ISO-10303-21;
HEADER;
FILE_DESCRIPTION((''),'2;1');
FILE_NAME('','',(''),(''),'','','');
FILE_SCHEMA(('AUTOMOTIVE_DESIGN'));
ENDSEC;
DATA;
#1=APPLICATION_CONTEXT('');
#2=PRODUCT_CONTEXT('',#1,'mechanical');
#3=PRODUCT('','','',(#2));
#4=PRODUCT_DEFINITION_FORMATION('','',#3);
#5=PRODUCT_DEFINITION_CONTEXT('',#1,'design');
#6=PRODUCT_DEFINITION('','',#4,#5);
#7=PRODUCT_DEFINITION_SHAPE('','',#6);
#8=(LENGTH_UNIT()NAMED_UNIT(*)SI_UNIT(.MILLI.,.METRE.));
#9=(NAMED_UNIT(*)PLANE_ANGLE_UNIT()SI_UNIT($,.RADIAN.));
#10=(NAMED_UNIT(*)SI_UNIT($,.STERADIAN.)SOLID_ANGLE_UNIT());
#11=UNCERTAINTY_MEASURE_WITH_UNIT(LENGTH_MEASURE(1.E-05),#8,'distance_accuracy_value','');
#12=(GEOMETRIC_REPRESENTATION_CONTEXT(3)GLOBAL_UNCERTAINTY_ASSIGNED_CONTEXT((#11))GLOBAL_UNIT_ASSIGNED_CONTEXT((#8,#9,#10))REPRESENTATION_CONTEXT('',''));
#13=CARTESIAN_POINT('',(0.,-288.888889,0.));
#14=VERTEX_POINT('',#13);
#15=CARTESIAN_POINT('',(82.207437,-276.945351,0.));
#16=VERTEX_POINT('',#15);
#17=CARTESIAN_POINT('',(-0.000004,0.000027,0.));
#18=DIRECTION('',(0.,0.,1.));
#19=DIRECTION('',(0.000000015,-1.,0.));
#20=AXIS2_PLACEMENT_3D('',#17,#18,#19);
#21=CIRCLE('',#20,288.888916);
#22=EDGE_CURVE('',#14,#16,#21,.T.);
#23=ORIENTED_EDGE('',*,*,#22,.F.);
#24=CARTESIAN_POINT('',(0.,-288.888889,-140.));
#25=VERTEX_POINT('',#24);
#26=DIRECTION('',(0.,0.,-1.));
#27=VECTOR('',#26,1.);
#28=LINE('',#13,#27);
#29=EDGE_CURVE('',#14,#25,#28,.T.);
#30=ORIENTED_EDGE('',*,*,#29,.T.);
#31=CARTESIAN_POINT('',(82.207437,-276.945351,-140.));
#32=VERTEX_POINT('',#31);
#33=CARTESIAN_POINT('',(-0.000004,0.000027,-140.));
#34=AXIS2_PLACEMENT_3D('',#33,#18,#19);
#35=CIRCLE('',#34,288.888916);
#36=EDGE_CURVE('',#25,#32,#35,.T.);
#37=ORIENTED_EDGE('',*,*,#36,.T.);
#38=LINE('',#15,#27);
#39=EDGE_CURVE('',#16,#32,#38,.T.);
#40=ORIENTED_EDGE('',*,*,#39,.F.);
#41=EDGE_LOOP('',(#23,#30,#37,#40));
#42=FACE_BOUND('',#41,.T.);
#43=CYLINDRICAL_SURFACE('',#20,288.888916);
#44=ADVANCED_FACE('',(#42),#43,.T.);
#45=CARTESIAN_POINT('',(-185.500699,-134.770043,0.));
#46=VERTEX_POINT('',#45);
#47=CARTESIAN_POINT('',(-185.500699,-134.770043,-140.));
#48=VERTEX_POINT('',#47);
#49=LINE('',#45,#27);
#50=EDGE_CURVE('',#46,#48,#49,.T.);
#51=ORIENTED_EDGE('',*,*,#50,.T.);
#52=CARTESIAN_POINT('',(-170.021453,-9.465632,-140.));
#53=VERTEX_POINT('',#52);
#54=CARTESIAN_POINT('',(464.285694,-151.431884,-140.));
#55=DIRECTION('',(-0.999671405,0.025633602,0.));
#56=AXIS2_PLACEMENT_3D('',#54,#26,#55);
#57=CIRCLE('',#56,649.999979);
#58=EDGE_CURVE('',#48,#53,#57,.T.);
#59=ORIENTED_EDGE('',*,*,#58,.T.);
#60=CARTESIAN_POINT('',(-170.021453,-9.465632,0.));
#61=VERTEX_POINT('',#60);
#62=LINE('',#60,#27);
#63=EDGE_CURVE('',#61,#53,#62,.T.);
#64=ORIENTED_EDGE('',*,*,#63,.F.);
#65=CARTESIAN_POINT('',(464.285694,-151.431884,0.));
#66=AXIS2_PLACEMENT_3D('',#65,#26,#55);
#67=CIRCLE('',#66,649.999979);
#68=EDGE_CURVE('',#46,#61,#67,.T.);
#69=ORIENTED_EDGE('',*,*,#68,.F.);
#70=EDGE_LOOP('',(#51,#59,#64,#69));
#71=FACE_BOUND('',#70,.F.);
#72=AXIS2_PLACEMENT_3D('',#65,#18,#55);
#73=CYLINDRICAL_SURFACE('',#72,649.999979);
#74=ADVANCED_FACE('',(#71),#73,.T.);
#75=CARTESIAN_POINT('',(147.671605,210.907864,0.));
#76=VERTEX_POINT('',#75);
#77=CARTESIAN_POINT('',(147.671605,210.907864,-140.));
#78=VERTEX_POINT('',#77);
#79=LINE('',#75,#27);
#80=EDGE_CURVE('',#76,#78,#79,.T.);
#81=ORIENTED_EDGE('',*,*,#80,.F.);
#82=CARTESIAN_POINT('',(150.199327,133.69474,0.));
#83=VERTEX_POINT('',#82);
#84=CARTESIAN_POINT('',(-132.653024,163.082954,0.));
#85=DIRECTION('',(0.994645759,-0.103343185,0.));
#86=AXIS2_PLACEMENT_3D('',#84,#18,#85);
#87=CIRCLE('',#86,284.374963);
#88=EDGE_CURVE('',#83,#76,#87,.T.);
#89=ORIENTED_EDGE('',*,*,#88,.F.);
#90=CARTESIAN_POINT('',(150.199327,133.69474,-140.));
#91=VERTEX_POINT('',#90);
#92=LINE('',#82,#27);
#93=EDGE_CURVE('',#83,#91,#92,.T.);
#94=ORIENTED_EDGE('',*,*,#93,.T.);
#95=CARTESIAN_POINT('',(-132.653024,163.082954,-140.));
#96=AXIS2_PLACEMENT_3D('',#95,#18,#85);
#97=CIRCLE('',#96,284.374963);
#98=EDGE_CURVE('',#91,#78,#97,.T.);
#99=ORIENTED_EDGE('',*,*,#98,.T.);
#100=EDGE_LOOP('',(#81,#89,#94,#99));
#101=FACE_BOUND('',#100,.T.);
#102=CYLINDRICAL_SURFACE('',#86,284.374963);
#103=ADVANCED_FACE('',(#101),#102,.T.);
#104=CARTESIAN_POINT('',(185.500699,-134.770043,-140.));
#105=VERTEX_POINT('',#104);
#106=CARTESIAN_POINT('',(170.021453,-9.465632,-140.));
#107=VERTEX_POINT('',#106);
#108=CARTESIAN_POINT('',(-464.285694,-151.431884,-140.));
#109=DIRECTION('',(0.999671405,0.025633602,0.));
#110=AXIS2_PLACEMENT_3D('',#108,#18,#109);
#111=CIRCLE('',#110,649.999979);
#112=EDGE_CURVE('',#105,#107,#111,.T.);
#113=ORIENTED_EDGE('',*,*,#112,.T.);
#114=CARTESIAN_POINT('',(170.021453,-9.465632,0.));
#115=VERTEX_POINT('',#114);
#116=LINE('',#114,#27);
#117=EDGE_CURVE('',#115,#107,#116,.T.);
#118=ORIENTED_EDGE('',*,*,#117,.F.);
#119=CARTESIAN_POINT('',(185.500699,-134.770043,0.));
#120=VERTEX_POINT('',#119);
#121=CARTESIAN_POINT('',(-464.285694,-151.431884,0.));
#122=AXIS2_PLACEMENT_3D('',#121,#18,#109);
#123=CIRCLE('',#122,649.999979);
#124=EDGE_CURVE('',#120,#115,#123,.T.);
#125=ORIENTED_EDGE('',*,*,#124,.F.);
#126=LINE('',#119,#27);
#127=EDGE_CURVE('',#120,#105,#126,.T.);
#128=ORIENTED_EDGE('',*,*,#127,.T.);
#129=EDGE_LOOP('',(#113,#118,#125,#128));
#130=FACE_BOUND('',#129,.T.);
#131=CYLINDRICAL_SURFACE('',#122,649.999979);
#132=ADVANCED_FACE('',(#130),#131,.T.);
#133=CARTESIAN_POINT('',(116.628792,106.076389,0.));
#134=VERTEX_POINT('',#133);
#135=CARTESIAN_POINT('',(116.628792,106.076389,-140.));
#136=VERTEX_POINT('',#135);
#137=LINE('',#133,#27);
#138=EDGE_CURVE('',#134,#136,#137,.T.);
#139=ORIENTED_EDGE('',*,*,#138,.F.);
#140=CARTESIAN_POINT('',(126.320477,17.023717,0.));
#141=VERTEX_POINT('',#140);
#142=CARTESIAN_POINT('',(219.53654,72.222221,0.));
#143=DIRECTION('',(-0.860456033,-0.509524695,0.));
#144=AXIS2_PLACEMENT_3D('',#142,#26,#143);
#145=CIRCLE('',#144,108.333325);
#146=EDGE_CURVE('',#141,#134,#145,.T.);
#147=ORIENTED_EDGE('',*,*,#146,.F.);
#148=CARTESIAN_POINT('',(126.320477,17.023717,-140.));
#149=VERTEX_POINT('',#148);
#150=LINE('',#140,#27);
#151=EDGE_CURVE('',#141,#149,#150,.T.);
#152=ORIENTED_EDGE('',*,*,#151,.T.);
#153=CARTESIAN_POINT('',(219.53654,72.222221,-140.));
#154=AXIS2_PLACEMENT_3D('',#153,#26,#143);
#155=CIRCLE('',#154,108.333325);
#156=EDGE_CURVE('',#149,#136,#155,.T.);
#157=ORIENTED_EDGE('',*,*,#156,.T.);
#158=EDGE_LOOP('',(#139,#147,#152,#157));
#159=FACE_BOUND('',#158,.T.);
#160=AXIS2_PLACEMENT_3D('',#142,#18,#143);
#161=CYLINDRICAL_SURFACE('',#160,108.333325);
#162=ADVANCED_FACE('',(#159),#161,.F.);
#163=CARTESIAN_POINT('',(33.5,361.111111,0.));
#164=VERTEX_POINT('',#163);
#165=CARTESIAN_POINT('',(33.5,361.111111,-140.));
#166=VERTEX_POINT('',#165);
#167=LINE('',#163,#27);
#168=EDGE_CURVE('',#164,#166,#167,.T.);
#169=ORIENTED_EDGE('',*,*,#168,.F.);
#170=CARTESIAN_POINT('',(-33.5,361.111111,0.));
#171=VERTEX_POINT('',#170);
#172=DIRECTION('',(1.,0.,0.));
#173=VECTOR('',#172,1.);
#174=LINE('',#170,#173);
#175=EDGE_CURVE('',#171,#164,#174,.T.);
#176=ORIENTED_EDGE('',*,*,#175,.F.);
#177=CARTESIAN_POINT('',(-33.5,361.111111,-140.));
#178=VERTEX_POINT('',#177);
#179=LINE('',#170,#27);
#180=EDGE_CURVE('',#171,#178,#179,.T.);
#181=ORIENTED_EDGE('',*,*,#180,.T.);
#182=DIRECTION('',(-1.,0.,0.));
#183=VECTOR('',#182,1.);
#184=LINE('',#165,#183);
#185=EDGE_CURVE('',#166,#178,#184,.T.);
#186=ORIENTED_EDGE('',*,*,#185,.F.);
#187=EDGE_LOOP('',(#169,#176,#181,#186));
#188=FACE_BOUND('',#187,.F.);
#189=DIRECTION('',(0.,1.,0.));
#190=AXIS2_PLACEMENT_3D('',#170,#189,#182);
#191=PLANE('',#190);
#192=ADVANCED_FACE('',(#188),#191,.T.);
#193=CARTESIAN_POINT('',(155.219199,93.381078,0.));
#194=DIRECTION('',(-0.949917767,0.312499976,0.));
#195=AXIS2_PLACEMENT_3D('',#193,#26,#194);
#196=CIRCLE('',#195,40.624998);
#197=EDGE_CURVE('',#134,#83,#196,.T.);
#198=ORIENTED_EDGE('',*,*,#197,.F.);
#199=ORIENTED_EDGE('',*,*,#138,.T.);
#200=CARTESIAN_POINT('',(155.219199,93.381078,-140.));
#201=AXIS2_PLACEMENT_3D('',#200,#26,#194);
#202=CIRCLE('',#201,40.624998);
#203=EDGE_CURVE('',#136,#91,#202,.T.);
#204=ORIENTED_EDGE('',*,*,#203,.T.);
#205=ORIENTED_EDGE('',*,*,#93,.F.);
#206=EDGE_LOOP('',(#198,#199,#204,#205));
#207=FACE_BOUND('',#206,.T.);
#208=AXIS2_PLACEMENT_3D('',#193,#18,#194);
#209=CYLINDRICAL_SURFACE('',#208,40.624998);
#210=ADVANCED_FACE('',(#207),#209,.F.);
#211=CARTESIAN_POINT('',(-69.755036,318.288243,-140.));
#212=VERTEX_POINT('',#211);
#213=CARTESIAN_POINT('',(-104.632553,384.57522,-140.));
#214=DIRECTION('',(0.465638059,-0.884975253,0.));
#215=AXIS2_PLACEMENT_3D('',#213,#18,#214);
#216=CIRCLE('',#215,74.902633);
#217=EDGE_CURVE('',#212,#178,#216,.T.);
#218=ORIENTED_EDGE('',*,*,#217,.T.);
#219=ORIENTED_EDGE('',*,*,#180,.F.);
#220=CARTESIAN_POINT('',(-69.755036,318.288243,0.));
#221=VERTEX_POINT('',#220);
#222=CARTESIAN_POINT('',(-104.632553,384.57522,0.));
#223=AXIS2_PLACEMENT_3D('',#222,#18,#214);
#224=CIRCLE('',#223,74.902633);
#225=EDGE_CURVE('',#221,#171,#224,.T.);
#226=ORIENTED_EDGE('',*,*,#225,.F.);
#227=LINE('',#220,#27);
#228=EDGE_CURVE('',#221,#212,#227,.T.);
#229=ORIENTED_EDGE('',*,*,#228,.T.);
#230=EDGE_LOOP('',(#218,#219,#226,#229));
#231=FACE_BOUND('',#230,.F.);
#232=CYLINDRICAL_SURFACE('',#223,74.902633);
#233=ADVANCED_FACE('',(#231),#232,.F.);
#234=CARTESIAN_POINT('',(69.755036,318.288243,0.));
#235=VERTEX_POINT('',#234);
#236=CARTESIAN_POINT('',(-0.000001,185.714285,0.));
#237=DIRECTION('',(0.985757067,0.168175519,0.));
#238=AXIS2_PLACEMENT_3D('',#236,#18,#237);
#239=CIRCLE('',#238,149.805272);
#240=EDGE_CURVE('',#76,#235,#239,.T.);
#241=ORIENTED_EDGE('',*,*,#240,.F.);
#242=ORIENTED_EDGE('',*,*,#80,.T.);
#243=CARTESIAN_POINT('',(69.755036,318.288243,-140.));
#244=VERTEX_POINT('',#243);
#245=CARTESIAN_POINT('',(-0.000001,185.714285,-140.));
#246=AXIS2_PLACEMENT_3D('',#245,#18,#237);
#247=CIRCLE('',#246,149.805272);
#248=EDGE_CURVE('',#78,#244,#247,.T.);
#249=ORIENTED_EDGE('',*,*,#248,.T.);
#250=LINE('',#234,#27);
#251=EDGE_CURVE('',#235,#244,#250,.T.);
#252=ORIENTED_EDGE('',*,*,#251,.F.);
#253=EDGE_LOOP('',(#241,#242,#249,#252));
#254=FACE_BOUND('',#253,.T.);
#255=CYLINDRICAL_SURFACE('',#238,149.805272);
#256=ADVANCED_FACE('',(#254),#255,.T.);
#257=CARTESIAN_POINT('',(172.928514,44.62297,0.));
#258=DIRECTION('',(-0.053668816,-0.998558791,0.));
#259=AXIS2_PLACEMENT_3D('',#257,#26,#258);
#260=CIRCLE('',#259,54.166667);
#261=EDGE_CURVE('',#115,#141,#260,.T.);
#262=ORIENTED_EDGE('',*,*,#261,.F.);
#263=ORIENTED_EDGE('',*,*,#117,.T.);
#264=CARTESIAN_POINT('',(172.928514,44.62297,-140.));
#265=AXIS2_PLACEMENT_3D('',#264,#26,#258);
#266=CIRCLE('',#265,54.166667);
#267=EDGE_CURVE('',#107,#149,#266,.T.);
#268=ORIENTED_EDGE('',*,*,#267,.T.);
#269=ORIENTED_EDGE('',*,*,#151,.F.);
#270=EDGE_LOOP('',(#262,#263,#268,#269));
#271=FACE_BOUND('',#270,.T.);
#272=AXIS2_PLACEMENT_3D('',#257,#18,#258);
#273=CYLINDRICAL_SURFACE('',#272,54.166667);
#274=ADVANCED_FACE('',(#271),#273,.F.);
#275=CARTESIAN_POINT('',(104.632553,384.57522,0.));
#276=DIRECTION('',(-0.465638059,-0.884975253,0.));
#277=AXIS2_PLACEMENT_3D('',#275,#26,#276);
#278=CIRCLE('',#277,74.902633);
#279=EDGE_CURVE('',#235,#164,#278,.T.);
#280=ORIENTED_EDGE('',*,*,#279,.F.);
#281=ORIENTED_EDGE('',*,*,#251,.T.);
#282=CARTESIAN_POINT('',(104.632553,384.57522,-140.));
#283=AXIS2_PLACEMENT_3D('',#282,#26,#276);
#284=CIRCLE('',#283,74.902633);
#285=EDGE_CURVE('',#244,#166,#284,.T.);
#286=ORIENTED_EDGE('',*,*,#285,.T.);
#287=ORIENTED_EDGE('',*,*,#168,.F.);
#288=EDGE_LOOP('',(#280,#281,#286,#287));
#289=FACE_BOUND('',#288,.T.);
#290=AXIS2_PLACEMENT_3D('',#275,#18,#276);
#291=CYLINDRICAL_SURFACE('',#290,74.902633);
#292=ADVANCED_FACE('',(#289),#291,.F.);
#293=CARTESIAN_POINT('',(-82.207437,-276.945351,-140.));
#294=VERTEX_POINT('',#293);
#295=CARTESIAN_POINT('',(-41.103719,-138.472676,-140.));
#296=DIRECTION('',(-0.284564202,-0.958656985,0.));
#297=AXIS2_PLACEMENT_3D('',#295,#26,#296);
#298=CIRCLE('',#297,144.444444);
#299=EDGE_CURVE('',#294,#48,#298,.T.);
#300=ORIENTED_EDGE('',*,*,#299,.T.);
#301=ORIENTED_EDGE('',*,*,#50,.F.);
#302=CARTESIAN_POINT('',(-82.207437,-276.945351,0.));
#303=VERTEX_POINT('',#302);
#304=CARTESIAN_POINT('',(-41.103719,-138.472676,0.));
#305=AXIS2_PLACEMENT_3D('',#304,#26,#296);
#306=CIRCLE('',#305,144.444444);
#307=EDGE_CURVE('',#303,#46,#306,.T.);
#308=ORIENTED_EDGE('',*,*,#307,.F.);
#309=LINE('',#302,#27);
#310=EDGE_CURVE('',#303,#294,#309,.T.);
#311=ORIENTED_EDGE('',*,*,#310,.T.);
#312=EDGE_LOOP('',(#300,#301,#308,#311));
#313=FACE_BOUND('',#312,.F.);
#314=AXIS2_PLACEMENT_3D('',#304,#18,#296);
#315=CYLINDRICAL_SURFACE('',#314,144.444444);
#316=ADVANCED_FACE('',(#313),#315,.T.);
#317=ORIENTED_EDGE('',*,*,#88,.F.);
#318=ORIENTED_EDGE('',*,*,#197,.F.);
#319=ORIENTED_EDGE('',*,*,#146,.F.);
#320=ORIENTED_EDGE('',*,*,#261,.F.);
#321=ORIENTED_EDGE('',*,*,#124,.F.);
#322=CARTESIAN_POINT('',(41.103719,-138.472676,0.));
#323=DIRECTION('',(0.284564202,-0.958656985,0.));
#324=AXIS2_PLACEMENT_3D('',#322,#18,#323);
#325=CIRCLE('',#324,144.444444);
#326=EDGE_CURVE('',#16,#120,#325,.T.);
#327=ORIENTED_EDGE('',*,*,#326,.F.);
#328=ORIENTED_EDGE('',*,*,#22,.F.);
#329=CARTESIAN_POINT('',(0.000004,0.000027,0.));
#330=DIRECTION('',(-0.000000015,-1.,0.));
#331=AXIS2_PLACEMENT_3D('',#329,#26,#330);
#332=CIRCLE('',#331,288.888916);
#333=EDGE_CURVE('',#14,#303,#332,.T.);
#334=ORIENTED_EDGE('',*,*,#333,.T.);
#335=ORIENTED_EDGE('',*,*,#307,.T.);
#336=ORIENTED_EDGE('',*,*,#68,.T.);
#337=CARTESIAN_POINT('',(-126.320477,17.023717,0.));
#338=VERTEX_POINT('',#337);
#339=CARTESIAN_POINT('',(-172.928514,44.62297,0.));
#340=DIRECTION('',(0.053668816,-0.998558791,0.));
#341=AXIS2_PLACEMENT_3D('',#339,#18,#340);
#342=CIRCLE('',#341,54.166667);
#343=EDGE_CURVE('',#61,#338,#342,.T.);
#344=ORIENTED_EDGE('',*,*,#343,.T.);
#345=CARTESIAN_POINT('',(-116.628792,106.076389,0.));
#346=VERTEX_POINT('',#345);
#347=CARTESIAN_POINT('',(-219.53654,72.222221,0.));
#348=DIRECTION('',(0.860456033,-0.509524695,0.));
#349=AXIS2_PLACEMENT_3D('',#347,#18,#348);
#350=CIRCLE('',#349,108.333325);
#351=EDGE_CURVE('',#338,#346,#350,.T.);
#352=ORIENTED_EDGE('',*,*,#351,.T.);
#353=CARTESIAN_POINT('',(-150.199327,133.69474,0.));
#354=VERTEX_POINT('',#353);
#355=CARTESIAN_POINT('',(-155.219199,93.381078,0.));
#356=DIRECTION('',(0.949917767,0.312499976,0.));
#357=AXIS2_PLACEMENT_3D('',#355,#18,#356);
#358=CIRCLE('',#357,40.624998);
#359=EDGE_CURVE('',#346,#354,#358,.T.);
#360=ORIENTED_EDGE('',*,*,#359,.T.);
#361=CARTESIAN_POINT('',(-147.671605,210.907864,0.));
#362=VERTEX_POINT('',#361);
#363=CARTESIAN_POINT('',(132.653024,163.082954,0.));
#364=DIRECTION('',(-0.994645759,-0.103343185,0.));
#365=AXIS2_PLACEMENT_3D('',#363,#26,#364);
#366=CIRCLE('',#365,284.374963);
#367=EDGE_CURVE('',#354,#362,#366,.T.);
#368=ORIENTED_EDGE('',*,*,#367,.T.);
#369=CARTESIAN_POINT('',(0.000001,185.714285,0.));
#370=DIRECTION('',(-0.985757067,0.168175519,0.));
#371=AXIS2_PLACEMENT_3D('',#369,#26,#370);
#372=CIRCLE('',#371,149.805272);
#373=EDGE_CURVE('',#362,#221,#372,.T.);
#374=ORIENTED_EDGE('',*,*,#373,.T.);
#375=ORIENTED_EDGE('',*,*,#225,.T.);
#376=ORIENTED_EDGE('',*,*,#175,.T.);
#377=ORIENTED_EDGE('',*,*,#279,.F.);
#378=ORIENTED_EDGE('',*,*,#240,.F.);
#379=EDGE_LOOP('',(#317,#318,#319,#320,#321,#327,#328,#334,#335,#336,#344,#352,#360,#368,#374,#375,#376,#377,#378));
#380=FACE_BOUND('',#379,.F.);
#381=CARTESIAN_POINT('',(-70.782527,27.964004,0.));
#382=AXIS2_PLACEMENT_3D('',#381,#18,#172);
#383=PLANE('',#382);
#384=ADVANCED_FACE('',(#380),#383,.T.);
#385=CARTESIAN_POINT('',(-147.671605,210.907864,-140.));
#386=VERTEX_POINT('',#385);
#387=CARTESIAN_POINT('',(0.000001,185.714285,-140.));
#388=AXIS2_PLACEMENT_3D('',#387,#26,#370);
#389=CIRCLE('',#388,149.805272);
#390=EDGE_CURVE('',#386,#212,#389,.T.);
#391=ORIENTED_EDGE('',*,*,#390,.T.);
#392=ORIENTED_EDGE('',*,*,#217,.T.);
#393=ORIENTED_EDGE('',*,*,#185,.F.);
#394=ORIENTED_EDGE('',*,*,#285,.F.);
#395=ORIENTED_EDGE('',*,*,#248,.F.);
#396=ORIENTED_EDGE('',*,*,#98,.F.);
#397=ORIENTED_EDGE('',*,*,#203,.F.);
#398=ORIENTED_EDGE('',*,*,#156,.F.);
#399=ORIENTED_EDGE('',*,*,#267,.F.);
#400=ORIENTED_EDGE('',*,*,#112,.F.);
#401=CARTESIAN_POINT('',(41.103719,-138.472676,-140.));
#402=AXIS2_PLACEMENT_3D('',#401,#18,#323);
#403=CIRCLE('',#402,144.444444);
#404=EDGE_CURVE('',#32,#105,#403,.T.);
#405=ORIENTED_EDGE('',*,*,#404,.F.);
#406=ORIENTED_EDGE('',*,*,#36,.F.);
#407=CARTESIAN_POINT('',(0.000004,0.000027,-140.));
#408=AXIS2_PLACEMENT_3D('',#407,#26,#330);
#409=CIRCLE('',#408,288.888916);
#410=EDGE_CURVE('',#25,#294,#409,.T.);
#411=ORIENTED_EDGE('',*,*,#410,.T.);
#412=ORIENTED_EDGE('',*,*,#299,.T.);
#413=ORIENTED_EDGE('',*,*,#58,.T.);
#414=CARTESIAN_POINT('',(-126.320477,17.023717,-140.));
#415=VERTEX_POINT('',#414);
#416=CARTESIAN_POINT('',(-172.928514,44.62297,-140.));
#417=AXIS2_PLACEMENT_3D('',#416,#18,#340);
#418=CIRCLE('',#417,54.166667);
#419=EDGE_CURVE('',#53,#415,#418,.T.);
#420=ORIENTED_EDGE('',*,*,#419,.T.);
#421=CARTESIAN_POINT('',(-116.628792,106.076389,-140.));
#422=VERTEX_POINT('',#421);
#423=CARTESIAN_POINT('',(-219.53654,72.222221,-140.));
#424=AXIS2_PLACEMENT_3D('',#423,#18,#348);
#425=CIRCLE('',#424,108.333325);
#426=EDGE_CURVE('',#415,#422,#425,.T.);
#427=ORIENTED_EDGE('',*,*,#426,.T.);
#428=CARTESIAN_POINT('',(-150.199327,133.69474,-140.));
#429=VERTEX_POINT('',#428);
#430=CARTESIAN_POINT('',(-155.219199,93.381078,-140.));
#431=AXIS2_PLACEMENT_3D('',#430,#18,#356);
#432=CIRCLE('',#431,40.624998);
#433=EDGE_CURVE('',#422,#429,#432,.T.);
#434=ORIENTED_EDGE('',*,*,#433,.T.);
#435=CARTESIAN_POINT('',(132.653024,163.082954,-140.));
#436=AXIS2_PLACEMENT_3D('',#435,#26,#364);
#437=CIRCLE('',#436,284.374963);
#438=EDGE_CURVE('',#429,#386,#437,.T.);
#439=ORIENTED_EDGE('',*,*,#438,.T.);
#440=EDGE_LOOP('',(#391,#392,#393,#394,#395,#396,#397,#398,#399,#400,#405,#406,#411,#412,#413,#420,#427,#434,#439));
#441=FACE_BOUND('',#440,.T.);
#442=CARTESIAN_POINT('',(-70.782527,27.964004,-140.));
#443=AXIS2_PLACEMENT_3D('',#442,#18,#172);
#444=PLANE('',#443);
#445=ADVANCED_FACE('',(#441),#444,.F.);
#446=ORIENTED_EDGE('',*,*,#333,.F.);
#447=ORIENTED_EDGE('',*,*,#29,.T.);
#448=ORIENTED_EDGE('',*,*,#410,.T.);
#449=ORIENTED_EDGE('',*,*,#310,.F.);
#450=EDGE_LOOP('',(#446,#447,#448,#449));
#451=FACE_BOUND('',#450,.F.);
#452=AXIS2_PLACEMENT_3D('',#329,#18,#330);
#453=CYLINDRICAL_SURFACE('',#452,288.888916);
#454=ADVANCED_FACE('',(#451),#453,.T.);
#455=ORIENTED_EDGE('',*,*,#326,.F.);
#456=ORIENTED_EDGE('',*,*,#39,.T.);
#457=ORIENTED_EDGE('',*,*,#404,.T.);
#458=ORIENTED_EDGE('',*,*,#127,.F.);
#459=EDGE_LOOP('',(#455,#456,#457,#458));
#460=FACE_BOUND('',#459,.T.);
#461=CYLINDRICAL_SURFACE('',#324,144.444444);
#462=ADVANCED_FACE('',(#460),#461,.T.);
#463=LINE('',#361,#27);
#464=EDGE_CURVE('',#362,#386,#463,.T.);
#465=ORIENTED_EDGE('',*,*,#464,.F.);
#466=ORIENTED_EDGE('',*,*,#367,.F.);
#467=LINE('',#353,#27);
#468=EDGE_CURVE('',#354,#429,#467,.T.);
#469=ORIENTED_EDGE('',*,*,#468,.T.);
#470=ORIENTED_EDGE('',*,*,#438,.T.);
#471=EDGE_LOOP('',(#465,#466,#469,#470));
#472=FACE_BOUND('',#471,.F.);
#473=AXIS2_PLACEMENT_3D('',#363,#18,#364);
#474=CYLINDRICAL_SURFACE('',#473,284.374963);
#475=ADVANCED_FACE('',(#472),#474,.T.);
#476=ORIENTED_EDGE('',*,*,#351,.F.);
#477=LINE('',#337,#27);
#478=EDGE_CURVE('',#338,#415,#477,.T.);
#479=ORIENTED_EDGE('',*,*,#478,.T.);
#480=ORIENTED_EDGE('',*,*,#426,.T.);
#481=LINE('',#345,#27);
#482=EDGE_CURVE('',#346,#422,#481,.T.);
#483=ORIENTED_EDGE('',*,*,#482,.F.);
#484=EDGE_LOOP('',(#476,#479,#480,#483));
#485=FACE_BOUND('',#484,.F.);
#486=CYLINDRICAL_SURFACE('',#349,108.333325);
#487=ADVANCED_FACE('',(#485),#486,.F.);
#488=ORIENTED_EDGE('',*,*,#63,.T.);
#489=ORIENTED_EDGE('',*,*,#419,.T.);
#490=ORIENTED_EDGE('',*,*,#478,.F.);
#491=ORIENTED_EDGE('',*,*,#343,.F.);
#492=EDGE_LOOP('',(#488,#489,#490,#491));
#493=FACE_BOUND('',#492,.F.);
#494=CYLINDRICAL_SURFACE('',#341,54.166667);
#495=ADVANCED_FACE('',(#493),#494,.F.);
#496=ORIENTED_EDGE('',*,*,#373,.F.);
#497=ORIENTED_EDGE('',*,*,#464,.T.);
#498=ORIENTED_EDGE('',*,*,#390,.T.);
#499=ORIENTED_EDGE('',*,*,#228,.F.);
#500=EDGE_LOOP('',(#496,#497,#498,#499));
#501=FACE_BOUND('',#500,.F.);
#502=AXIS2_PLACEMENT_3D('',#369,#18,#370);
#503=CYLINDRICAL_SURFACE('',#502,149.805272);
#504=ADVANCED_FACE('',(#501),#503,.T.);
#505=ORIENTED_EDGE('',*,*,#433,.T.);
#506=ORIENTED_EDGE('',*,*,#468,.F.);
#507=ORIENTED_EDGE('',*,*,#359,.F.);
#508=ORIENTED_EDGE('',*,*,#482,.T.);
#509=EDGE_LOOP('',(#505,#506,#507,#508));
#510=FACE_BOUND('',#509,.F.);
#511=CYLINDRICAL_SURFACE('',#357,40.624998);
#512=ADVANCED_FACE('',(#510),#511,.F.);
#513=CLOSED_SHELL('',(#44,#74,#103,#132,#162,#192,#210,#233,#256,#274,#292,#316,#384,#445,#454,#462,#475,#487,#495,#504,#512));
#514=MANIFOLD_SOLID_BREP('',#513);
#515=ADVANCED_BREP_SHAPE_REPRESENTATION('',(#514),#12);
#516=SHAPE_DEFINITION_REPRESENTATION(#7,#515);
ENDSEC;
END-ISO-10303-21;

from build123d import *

# Parameters (mm, degrees)
F10_DEPTH = 140


with BuildPart() as f10:
    # F9 (on Top) → F10 (new body)
    with BuildSketch(Plane.XY):
        with BuildLine():
            ThreePointArc((69.755036, 318.288243), (47.466276, 336.176653), (33.5, 361.111111))
            Line((33.5, 361.111111), (0, 361.111111))
            Line((0, 361.111111), (0, -288.888889))
            ThreePointArc((0, -288.888889), (41.535258, -285.887412), (82.207437, -276.945351))
            ThreePointArc((82.207437, -276.945351), (157.962958, -223.373298), (185.500699, -134.770043))
            ThreePointArc((185.500699, -134.770043), (180.810697, -71.741108), (170.021453, -9.465632))
            ThreePointArc((170.021453, -9.465632), (144.850807, -1.69841), (126.320477, 17.023717))
            ThreePointArc((126.320477, 17.023717), (111.839131, 60.501412), (116.628792, 106.076389))
            ThreePointArc((116.628792, 106.076389), (129.409173, 124.753566), (150.199327, 133.69474))
            ThreePointArc((150.199327, 133.69474), (151.569678, 172.387538), (147.671605, 210.907864))
            ThreePointArc((147.671605, 210.907864), (121.248598, 273.69381), (69.755036, 318.288243))
        make_face()
    extrude(amount=-F10_DEPTH)

    # F11: F10 across face


with BuildPart() as f10_1:
    add(f10.part)
    add(f10.part.mirror(Plane(origin=(0, 36.111111, -70), x_dir=(0, -1, 0), z_dir=(-1, 0, 0))))


solid = f10_1.part
